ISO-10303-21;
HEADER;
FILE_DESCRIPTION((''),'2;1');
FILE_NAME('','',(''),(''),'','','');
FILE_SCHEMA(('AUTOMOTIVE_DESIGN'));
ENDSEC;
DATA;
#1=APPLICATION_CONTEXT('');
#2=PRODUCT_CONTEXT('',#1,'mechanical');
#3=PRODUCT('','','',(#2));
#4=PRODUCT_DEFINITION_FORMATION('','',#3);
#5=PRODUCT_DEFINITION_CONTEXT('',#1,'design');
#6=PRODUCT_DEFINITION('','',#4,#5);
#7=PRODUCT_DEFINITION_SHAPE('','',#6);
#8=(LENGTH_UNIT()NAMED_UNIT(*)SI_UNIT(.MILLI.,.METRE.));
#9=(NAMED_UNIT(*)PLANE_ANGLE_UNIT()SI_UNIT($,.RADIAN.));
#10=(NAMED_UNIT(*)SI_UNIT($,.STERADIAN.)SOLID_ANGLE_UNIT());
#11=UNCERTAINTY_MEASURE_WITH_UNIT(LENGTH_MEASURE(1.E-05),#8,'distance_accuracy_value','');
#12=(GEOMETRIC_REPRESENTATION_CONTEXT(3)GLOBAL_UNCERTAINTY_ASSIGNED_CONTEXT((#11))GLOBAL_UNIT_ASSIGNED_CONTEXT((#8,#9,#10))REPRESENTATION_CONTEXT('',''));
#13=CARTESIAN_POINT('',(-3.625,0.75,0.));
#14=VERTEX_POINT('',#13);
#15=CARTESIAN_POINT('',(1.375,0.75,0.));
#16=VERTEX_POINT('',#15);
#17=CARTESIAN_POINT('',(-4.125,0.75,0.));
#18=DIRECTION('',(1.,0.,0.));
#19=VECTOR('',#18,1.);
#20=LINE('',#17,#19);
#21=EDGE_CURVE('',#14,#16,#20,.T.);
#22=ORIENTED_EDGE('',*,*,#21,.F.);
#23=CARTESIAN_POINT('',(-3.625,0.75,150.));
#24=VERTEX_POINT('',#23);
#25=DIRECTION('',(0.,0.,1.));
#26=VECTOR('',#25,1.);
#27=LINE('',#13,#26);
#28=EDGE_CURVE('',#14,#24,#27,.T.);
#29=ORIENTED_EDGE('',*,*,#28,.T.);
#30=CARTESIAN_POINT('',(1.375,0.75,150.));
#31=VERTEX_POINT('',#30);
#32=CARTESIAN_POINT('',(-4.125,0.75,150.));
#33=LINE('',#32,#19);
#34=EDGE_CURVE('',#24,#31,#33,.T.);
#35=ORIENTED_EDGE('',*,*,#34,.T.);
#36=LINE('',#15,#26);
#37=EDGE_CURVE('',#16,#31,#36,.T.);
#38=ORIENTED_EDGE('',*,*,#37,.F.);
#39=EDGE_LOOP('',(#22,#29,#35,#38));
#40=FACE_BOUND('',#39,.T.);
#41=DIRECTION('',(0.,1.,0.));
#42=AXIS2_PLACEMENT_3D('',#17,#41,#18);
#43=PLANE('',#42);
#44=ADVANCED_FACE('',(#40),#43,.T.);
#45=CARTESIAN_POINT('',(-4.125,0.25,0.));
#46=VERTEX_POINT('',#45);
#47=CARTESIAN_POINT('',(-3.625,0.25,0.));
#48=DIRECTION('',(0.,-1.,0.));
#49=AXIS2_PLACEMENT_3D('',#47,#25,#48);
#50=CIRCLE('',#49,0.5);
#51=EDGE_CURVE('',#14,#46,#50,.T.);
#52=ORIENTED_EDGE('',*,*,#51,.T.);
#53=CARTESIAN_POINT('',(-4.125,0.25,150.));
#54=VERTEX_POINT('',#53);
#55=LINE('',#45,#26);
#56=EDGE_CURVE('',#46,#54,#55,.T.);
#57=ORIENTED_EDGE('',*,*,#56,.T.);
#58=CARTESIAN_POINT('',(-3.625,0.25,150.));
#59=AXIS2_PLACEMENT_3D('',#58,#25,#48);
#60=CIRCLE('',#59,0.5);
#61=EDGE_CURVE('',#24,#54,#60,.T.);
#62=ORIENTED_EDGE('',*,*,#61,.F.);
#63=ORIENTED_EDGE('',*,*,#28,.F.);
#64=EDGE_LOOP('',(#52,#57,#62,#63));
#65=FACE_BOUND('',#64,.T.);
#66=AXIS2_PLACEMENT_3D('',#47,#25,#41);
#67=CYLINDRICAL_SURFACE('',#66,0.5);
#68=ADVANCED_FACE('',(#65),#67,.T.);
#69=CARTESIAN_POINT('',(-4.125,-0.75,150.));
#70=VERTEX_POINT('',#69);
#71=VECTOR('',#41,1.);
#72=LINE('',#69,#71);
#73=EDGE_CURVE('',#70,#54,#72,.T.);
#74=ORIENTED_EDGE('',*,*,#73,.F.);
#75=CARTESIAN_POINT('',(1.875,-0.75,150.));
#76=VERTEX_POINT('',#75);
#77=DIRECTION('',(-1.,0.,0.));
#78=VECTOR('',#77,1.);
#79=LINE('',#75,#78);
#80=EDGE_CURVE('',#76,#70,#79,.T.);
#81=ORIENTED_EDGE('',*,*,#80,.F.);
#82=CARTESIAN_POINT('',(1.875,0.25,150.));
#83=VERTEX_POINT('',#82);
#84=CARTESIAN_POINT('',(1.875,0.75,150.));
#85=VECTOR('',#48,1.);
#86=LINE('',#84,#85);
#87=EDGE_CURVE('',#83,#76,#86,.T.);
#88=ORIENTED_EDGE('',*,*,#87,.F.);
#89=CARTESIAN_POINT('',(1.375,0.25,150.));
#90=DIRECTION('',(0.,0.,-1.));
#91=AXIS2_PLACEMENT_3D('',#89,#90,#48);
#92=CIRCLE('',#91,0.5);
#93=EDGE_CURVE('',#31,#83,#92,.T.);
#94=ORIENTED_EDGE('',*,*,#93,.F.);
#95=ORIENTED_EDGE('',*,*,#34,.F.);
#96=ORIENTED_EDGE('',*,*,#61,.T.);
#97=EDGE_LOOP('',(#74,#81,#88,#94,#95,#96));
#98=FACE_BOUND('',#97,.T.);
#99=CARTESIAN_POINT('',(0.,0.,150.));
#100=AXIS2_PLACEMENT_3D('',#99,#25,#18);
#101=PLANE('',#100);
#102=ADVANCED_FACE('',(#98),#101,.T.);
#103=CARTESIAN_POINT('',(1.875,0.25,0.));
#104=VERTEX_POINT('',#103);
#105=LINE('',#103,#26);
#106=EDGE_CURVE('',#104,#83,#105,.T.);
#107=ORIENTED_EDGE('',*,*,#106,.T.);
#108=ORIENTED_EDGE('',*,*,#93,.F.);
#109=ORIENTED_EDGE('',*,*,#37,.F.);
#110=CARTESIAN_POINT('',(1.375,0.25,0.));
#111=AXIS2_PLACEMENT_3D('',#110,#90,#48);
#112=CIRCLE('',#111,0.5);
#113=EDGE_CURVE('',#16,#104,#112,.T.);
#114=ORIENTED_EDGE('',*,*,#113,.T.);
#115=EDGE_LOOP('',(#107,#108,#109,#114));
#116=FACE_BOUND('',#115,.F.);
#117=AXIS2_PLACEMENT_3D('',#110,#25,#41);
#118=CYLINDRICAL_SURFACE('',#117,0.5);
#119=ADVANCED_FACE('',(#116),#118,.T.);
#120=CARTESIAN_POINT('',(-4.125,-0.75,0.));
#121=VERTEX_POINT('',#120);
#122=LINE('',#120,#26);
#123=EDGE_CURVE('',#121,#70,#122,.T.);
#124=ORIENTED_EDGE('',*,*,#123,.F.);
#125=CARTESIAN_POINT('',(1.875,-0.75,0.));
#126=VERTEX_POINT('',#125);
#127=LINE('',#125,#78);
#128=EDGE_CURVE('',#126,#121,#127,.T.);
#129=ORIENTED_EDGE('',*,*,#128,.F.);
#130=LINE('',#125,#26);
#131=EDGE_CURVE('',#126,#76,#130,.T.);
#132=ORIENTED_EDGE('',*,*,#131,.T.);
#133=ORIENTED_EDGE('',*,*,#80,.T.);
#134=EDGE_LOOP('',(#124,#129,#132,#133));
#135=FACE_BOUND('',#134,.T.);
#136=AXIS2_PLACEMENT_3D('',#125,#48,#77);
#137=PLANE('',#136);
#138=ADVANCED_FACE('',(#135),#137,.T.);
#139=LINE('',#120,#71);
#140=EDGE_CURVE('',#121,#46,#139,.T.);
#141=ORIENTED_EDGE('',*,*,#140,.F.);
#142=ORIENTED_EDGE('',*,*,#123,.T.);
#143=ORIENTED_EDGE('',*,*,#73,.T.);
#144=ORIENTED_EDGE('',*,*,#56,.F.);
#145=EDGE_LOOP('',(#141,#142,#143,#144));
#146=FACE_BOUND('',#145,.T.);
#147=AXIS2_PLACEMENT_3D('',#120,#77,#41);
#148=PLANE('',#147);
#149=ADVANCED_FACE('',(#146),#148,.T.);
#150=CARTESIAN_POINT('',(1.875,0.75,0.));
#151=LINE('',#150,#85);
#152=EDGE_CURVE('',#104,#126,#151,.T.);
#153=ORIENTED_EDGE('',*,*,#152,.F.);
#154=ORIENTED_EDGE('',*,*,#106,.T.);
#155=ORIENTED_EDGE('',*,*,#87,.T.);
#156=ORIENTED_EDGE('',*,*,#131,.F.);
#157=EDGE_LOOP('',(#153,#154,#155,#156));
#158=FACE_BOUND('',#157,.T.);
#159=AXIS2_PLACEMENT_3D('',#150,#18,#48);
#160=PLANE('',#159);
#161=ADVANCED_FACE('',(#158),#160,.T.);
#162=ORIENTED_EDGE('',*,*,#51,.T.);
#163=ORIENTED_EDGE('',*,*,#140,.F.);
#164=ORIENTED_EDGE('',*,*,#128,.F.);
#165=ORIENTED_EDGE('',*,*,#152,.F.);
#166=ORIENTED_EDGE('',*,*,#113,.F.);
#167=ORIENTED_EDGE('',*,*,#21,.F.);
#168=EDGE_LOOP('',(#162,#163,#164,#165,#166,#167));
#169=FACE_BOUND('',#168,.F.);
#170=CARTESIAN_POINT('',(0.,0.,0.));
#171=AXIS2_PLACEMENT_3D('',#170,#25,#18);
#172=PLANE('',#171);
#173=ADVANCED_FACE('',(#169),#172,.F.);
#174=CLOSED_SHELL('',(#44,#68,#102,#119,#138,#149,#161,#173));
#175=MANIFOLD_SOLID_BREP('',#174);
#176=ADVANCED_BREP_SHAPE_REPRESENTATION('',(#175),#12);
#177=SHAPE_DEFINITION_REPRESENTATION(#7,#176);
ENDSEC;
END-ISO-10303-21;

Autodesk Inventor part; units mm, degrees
ref_plane "YZ Plane" through (0, 0, 0) normal (1, 0, 0) x (0, 1, 0)
ref_plane "XZ Plane" through (0, 0, 0) normal (0, 1, 0) x (-1, 0, 0)
ref_plane "XY Plane" through (0, 0, 0) normal (0, 0, 1) x (1, 0, 0)
sketch "Sketch1" plane through (0, 0, 0) normal (0, 0, 1) x (1, 0, 0)
  line L0 (-4.125, 0.75) -> (1.875, 0.75)
  line L1 (1.875, 0.75) -> (1.875, -0.75)
  line L2 (1.875, -0.75) -> (-4.125, -0.75)
  line L3 (-4.125, -0.75) -> (-4.125, 0.75)
  point P0 (0, 0)
  dimension "d0" = 6
  dimension "d1" = 1.5
extrude "Extrusion1" add sketch "Sketch1" along normal blind 150
sketch "Sketch2" plane through (-4.125, -0.75, 0) normal (0, -1, 0) x (1, 0, 0)
  line L0 (0, 0) -> (6, 0) projected
  line L1 (6, 0) -> (6, 150) projected
  line L2 (0, 150) -> (6, 150) projected
  line L3 (0, 0) -> (0, 150) projected
  line L4 (0, 146) -> (6, 146)
  circle A0 centre (3, 148) radius 2
  line L5 (0, 150) -> (6, 150) projected
  point P0 (4.125, 0)
  dimension "d4" = 4
  dimension "d5" = 3
fillet "Fillet1" radius 0.5 2 edges at (1.875, 0.75, 75) (-4.125, 0.75, 75)
properties part number "McCrea_doska_walle"
